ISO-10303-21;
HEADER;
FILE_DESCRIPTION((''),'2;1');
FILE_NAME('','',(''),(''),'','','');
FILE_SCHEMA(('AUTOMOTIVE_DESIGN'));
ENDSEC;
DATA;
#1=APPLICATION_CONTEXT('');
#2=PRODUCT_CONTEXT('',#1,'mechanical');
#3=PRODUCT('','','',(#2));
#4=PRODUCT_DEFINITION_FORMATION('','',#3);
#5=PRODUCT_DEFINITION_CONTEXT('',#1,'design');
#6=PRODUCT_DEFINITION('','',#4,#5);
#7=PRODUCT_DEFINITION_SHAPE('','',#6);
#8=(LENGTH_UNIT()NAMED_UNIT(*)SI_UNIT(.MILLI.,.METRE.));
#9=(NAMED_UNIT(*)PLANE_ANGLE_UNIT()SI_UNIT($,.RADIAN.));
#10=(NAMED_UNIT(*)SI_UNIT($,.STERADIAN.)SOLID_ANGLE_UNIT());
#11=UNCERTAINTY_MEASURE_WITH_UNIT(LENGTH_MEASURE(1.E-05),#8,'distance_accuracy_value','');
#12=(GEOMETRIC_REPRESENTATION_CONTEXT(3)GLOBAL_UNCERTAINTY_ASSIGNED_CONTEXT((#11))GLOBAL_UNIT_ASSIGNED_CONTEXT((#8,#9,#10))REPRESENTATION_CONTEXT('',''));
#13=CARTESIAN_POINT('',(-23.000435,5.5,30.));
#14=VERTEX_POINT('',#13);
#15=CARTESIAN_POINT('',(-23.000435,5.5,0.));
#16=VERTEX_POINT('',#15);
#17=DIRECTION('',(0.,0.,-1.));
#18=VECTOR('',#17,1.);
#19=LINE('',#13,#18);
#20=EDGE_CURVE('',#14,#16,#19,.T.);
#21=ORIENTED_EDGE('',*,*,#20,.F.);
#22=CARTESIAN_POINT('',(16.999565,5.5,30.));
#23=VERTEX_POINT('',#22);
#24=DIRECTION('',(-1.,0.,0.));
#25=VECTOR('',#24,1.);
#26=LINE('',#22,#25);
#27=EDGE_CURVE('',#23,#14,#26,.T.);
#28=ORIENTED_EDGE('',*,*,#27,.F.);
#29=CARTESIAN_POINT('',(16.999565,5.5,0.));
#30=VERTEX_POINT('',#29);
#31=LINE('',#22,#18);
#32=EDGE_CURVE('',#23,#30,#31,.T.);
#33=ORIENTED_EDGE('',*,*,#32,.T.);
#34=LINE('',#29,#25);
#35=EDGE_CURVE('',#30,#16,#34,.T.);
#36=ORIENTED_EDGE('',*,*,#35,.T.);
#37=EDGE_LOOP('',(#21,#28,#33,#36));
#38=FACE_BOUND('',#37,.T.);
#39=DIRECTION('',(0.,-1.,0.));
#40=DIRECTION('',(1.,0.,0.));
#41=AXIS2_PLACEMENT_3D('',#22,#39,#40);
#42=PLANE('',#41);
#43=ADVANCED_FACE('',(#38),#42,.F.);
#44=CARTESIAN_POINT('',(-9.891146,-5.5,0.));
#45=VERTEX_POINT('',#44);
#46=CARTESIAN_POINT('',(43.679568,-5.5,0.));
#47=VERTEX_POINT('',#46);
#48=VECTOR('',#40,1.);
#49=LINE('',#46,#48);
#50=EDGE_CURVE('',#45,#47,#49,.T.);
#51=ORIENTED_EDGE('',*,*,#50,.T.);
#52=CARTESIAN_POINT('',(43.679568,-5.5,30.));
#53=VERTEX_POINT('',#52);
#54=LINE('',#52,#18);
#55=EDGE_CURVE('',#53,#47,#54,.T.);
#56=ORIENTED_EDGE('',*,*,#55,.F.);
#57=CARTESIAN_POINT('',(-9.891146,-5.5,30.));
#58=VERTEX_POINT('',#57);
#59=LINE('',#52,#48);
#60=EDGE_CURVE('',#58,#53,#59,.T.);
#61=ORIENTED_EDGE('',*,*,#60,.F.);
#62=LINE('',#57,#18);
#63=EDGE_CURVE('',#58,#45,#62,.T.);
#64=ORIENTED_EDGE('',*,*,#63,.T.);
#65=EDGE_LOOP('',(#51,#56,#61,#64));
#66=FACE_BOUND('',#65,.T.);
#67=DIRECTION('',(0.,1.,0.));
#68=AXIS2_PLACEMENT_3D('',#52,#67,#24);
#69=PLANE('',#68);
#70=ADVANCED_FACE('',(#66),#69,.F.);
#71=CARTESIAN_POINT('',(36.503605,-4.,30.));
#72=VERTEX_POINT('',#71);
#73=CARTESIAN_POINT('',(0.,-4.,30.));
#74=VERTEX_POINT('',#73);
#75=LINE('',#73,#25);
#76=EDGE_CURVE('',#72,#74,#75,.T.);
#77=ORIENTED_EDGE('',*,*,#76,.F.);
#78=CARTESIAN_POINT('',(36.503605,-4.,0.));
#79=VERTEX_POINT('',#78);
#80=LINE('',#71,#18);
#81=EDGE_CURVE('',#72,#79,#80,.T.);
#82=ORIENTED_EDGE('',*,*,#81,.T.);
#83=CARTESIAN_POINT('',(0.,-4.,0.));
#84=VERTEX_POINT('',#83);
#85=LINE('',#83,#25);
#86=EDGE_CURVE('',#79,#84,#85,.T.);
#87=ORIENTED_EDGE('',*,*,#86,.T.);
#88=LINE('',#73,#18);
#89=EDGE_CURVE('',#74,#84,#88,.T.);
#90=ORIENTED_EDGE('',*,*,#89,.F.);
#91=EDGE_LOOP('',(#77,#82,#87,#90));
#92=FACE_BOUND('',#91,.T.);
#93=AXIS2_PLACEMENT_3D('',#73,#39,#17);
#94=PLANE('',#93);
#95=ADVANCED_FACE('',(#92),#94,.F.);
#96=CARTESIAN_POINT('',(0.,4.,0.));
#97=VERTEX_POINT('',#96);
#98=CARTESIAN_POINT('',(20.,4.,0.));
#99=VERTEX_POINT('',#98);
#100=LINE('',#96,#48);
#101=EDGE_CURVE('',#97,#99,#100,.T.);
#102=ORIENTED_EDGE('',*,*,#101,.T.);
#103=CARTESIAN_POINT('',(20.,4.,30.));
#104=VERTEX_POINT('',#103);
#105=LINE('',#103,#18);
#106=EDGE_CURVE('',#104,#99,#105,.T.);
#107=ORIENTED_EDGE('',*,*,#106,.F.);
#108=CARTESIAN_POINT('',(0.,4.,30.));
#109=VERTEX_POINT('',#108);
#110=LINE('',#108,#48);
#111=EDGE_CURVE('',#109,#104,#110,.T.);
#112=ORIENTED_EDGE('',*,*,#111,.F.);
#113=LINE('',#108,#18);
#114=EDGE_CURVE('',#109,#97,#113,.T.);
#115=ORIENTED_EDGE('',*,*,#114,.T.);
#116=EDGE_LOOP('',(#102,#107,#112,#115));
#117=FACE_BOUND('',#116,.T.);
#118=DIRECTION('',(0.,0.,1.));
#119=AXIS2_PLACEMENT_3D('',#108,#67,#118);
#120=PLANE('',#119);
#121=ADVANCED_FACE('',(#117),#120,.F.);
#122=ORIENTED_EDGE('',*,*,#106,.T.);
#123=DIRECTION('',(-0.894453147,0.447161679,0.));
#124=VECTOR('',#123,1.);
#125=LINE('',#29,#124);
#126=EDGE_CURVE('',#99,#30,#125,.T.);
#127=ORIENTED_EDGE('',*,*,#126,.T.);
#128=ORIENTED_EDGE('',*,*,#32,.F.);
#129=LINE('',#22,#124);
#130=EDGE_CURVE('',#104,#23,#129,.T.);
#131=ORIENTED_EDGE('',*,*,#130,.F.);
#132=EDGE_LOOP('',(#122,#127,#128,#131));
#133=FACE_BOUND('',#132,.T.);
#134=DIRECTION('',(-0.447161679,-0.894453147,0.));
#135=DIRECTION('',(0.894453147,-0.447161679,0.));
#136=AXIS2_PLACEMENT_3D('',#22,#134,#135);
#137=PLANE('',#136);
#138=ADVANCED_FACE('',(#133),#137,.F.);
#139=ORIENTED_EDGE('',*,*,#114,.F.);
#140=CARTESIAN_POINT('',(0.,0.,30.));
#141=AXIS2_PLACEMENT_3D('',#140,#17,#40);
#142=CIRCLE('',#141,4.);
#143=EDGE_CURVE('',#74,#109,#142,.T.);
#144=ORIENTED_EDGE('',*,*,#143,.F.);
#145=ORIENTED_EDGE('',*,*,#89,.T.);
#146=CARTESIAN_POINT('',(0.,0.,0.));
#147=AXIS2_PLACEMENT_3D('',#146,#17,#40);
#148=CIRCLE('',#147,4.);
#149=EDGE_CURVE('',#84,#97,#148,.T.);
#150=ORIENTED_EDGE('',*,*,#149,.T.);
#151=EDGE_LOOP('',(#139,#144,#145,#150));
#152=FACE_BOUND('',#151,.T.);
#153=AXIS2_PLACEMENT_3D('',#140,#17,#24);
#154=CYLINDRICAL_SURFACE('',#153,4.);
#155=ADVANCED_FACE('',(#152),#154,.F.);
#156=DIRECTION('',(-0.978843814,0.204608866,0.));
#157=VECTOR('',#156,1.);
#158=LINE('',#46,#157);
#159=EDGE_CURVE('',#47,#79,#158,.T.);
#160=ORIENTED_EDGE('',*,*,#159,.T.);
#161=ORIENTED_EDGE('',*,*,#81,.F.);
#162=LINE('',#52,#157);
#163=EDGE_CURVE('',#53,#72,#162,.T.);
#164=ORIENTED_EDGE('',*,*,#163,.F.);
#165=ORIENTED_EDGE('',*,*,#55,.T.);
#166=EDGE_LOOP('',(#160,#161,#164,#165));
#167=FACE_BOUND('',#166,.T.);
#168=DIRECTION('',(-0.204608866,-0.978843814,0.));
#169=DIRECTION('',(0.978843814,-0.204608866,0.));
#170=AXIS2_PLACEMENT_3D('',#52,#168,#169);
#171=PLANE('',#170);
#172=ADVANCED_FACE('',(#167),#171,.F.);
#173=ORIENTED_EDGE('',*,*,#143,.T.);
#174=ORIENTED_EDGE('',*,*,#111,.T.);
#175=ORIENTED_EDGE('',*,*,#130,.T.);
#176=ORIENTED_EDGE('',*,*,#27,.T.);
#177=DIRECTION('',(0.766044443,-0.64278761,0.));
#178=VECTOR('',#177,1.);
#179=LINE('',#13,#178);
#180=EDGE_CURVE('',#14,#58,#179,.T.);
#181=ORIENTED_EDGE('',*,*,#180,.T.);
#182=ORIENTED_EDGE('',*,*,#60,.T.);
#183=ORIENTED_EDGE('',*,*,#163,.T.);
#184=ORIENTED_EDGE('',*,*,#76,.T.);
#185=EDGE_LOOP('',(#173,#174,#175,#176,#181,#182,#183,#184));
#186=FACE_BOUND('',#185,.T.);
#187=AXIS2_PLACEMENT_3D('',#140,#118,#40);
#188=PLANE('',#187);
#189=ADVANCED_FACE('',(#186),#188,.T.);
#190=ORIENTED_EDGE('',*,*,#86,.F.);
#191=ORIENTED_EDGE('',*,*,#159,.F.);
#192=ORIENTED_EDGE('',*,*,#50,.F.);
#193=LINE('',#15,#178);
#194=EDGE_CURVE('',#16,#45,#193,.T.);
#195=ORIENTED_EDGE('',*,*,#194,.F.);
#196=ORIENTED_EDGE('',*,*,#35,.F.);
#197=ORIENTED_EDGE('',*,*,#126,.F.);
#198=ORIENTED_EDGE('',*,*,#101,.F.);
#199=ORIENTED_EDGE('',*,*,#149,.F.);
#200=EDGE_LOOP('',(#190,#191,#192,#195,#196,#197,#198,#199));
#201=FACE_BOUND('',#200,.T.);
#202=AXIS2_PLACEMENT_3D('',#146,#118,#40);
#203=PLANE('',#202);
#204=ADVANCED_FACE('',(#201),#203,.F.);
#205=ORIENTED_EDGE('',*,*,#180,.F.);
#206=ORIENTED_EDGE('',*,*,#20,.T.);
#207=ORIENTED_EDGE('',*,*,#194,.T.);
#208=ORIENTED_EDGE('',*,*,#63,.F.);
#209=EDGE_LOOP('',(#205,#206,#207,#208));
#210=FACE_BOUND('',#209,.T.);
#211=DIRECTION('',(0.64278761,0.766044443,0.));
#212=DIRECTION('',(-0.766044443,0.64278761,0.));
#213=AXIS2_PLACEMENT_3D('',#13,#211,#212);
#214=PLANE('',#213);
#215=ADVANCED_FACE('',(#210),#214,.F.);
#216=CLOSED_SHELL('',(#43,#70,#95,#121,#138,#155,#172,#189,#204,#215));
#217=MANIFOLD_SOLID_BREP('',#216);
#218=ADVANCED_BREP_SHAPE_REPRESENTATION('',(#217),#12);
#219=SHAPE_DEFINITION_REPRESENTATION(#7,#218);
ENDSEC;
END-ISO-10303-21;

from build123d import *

# Parameters (mm, degrees)
BOSS_EXTRUDE1_DEPTH = 30


with BuildPart() as part:
    # Sketch1 → Boss-Extrude1 (new body)
    with BuildSketch(Plane.XY):
        with BuildLine():
            Line((0, 4), (20, 4))
            Line((20, 4), (16.999564626, 5.5))
            Line((16.999564626, 5.5), (-23.000435374, 5.5))
            Line((-23.000435374, 5.5), (-9.891145856, -5.5))
            Line((-9.891145856, -5.5), (43.679568359, -5.5))
            Line((43.679568359, -5.5), (36.50360504, -4))
            Line((36.50360504, -4), (0, -4))
            ThreePointArc((0, -4), (-4, 0), (0, 4))
        make_face()
    extrude(amount=BOSS_EXTRUDE1_DEPTH)


solid = part.part
